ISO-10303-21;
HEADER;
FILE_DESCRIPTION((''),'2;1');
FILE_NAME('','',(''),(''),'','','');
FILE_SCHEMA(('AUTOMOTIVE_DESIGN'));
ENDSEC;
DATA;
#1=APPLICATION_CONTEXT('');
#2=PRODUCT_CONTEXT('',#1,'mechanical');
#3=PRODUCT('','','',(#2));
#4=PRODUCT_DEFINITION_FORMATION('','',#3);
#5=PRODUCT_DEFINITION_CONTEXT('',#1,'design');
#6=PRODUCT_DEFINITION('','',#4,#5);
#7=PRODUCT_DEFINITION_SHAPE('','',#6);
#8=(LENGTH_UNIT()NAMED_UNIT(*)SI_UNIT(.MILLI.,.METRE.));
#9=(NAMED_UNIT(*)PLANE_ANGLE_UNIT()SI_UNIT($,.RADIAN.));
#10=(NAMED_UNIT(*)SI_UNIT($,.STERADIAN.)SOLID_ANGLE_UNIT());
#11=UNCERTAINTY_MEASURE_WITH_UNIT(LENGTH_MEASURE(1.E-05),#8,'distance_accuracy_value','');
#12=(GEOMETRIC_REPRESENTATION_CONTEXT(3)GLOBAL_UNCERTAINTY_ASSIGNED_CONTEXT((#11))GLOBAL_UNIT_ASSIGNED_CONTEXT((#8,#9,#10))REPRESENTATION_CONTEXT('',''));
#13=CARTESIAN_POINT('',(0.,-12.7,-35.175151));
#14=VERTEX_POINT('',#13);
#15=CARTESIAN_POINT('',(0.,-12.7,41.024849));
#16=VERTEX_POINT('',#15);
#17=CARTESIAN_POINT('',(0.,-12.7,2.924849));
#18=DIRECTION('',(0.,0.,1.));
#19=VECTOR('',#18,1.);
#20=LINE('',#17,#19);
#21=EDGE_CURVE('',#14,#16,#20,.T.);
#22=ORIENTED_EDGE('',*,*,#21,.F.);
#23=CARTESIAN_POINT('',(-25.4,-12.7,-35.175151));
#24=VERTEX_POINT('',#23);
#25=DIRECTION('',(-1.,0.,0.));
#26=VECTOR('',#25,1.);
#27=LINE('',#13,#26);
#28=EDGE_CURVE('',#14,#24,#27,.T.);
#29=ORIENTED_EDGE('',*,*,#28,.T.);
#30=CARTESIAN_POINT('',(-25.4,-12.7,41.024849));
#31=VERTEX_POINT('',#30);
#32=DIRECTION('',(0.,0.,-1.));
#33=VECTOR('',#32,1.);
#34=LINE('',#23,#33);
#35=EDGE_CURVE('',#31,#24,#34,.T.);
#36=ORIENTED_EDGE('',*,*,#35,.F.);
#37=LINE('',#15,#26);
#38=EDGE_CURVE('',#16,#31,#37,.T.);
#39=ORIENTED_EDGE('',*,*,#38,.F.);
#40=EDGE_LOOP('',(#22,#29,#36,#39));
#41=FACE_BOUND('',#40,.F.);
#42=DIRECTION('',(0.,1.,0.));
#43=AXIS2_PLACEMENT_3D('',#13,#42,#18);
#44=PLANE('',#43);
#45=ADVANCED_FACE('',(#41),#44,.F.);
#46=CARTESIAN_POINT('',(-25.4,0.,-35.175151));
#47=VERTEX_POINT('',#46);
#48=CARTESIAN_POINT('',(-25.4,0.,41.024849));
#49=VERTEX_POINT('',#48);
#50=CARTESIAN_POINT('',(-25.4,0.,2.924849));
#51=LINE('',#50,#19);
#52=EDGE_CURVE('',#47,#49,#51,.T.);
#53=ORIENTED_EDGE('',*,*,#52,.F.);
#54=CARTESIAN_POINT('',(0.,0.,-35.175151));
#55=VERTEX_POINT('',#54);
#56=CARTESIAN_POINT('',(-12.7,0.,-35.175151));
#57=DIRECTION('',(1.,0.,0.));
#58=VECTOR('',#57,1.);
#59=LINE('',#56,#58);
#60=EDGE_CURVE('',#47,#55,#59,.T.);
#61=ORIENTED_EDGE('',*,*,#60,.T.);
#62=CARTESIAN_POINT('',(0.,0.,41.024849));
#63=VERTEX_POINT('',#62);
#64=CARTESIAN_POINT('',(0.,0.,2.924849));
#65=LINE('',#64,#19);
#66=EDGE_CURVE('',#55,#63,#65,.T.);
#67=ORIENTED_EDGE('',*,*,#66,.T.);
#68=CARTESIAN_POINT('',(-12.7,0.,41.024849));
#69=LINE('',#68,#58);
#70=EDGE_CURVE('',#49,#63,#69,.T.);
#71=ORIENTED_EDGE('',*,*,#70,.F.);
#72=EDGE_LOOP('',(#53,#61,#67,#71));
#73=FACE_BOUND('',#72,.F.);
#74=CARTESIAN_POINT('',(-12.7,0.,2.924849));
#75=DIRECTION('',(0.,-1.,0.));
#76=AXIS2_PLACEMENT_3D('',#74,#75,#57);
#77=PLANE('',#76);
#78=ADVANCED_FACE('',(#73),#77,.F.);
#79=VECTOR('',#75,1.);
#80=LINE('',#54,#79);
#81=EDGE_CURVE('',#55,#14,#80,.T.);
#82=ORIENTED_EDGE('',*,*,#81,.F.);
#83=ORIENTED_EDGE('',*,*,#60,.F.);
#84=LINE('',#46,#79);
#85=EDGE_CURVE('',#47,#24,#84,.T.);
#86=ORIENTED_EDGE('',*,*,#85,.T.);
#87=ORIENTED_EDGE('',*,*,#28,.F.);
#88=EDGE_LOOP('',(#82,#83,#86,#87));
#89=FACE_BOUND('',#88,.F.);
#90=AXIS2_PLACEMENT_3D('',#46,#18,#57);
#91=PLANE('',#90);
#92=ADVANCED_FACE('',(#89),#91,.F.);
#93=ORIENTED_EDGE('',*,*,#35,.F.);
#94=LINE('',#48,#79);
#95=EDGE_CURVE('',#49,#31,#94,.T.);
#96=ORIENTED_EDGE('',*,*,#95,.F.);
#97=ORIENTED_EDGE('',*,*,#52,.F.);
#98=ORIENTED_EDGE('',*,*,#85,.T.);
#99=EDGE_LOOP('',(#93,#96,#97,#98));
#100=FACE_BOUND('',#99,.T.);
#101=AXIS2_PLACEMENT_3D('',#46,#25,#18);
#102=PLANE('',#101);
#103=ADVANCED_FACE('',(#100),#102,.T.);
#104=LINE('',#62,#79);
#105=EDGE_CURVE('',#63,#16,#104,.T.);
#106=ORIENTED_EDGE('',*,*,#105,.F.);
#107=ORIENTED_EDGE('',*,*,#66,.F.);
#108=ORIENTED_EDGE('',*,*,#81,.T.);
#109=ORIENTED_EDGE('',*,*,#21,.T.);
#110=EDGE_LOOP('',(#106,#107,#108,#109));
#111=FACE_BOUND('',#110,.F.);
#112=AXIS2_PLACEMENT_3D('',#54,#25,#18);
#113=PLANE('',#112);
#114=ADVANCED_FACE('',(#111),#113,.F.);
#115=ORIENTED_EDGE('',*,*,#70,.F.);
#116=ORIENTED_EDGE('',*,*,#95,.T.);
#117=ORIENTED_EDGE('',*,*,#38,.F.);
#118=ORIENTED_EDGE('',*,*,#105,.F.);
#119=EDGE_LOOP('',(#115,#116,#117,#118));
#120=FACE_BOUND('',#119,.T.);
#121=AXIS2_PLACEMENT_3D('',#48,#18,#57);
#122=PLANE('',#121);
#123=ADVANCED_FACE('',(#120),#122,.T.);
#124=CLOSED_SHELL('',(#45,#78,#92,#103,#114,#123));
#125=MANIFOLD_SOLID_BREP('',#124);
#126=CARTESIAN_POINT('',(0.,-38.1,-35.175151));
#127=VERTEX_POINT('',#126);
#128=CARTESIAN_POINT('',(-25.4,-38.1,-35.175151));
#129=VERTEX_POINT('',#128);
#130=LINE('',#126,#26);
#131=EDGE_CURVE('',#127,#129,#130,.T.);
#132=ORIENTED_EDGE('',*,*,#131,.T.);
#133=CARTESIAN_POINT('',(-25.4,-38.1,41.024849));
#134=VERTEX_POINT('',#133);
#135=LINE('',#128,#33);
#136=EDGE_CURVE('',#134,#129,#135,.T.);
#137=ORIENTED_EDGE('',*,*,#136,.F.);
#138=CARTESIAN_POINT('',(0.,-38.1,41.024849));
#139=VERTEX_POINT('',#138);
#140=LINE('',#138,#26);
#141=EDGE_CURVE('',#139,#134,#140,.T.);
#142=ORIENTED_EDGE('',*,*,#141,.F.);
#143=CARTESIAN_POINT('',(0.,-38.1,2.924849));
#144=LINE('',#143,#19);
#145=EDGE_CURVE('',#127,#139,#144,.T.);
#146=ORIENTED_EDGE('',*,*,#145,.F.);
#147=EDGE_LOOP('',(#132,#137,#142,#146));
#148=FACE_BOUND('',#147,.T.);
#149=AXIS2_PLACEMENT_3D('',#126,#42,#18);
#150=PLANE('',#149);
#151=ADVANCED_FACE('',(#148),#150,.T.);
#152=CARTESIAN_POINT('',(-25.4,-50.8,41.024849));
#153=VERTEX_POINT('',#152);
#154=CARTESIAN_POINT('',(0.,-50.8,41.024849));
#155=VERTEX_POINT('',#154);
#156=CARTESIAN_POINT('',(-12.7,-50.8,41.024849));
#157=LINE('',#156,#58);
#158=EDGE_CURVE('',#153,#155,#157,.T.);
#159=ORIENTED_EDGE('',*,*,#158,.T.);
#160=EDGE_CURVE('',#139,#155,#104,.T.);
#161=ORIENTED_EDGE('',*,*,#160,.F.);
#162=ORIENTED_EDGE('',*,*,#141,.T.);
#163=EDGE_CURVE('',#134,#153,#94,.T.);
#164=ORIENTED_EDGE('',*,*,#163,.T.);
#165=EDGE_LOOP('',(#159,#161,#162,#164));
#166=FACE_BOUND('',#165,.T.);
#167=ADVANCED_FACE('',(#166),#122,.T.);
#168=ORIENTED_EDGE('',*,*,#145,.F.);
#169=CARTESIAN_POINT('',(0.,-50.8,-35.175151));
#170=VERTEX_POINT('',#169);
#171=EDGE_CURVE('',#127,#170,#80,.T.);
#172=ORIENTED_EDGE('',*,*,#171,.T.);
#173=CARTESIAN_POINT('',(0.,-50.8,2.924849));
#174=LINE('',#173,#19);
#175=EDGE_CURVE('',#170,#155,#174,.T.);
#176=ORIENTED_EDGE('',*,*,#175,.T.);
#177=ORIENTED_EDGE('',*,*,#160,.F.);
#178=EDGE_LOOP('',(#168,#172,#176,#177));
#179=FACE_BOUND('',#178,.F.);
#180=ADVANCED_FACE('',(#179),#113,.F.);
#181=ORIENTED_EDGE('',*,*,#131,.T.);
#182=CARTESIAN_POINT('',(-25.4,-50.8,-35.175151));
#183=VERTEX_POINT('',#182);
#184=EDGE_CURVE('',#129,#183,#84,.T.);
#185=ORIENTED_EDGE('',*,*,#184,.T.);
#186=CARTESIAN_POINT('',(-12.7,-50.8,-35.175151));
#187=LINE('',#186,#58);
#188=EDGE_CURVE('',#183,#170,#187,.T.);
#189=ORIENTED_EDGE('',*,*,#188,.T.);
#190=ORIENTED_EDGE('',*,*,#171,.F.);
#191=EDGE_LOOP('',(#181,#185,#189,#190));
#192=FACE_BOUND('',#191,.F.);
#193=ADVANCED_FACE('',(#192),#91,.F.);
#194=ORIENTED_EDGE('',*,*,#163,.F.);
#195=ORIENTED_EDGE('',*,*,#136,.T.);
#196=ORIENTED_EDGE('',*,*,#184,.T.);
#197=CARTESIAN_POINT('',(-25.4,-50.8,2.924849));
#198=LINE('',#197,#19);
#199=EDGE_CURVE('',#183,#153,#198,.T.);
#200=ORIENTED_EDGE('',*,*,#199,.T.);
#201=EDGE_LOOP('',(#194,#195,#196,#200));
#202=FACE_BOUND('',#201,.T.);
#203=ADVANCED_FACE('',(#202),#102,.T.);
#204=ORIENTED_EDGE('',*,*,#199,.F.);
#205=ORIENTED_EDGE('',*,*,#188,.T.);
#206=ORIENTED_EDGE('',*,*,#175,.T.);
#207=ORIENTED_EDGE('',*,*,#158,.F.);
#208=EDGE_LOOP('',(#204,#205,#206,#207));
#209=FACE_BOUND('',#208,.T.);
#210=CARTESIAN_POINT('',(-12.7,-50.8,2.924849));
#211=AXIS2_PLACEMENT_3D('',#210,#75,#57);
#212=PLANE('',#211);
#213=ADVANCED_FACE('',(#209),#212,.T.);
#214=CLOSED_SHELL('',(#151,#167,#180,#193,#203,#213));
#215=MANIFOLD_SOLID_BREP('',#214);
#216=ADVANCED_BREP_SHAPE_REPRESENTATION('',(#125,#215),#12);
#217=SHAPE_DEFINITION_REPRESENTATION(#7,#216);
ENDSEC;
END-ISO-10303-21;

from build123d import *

# Parameters (mm, degrees)
F0_W     = 25.4
F0_H     = 76.2
F1_DEPTH = 50.8
F2_W     = 25.4
F2_H     = 76.2
F3_DEPTH = 25.401


with BuildPart() as f1:
    # F0 (on Front) → F1 (new body)
    with BuildSketch(Plane.XZ):
        with Locations((-12.7, 2.924849)):
            Rectangle(F0_W, F0_H)
    extrude(amount=F1_DEPTH)

    # F2 (on face) → F3 (cut, through all)
    with BuildSketch(Plane.YZ):
        with Locations((-25.4, 2.924849)):
            Rectangle(F2_W, F2_H)
    extrude(amount=-F3_DEPTH, mode=Mode.SUBTRACT)


solid = f1.part
